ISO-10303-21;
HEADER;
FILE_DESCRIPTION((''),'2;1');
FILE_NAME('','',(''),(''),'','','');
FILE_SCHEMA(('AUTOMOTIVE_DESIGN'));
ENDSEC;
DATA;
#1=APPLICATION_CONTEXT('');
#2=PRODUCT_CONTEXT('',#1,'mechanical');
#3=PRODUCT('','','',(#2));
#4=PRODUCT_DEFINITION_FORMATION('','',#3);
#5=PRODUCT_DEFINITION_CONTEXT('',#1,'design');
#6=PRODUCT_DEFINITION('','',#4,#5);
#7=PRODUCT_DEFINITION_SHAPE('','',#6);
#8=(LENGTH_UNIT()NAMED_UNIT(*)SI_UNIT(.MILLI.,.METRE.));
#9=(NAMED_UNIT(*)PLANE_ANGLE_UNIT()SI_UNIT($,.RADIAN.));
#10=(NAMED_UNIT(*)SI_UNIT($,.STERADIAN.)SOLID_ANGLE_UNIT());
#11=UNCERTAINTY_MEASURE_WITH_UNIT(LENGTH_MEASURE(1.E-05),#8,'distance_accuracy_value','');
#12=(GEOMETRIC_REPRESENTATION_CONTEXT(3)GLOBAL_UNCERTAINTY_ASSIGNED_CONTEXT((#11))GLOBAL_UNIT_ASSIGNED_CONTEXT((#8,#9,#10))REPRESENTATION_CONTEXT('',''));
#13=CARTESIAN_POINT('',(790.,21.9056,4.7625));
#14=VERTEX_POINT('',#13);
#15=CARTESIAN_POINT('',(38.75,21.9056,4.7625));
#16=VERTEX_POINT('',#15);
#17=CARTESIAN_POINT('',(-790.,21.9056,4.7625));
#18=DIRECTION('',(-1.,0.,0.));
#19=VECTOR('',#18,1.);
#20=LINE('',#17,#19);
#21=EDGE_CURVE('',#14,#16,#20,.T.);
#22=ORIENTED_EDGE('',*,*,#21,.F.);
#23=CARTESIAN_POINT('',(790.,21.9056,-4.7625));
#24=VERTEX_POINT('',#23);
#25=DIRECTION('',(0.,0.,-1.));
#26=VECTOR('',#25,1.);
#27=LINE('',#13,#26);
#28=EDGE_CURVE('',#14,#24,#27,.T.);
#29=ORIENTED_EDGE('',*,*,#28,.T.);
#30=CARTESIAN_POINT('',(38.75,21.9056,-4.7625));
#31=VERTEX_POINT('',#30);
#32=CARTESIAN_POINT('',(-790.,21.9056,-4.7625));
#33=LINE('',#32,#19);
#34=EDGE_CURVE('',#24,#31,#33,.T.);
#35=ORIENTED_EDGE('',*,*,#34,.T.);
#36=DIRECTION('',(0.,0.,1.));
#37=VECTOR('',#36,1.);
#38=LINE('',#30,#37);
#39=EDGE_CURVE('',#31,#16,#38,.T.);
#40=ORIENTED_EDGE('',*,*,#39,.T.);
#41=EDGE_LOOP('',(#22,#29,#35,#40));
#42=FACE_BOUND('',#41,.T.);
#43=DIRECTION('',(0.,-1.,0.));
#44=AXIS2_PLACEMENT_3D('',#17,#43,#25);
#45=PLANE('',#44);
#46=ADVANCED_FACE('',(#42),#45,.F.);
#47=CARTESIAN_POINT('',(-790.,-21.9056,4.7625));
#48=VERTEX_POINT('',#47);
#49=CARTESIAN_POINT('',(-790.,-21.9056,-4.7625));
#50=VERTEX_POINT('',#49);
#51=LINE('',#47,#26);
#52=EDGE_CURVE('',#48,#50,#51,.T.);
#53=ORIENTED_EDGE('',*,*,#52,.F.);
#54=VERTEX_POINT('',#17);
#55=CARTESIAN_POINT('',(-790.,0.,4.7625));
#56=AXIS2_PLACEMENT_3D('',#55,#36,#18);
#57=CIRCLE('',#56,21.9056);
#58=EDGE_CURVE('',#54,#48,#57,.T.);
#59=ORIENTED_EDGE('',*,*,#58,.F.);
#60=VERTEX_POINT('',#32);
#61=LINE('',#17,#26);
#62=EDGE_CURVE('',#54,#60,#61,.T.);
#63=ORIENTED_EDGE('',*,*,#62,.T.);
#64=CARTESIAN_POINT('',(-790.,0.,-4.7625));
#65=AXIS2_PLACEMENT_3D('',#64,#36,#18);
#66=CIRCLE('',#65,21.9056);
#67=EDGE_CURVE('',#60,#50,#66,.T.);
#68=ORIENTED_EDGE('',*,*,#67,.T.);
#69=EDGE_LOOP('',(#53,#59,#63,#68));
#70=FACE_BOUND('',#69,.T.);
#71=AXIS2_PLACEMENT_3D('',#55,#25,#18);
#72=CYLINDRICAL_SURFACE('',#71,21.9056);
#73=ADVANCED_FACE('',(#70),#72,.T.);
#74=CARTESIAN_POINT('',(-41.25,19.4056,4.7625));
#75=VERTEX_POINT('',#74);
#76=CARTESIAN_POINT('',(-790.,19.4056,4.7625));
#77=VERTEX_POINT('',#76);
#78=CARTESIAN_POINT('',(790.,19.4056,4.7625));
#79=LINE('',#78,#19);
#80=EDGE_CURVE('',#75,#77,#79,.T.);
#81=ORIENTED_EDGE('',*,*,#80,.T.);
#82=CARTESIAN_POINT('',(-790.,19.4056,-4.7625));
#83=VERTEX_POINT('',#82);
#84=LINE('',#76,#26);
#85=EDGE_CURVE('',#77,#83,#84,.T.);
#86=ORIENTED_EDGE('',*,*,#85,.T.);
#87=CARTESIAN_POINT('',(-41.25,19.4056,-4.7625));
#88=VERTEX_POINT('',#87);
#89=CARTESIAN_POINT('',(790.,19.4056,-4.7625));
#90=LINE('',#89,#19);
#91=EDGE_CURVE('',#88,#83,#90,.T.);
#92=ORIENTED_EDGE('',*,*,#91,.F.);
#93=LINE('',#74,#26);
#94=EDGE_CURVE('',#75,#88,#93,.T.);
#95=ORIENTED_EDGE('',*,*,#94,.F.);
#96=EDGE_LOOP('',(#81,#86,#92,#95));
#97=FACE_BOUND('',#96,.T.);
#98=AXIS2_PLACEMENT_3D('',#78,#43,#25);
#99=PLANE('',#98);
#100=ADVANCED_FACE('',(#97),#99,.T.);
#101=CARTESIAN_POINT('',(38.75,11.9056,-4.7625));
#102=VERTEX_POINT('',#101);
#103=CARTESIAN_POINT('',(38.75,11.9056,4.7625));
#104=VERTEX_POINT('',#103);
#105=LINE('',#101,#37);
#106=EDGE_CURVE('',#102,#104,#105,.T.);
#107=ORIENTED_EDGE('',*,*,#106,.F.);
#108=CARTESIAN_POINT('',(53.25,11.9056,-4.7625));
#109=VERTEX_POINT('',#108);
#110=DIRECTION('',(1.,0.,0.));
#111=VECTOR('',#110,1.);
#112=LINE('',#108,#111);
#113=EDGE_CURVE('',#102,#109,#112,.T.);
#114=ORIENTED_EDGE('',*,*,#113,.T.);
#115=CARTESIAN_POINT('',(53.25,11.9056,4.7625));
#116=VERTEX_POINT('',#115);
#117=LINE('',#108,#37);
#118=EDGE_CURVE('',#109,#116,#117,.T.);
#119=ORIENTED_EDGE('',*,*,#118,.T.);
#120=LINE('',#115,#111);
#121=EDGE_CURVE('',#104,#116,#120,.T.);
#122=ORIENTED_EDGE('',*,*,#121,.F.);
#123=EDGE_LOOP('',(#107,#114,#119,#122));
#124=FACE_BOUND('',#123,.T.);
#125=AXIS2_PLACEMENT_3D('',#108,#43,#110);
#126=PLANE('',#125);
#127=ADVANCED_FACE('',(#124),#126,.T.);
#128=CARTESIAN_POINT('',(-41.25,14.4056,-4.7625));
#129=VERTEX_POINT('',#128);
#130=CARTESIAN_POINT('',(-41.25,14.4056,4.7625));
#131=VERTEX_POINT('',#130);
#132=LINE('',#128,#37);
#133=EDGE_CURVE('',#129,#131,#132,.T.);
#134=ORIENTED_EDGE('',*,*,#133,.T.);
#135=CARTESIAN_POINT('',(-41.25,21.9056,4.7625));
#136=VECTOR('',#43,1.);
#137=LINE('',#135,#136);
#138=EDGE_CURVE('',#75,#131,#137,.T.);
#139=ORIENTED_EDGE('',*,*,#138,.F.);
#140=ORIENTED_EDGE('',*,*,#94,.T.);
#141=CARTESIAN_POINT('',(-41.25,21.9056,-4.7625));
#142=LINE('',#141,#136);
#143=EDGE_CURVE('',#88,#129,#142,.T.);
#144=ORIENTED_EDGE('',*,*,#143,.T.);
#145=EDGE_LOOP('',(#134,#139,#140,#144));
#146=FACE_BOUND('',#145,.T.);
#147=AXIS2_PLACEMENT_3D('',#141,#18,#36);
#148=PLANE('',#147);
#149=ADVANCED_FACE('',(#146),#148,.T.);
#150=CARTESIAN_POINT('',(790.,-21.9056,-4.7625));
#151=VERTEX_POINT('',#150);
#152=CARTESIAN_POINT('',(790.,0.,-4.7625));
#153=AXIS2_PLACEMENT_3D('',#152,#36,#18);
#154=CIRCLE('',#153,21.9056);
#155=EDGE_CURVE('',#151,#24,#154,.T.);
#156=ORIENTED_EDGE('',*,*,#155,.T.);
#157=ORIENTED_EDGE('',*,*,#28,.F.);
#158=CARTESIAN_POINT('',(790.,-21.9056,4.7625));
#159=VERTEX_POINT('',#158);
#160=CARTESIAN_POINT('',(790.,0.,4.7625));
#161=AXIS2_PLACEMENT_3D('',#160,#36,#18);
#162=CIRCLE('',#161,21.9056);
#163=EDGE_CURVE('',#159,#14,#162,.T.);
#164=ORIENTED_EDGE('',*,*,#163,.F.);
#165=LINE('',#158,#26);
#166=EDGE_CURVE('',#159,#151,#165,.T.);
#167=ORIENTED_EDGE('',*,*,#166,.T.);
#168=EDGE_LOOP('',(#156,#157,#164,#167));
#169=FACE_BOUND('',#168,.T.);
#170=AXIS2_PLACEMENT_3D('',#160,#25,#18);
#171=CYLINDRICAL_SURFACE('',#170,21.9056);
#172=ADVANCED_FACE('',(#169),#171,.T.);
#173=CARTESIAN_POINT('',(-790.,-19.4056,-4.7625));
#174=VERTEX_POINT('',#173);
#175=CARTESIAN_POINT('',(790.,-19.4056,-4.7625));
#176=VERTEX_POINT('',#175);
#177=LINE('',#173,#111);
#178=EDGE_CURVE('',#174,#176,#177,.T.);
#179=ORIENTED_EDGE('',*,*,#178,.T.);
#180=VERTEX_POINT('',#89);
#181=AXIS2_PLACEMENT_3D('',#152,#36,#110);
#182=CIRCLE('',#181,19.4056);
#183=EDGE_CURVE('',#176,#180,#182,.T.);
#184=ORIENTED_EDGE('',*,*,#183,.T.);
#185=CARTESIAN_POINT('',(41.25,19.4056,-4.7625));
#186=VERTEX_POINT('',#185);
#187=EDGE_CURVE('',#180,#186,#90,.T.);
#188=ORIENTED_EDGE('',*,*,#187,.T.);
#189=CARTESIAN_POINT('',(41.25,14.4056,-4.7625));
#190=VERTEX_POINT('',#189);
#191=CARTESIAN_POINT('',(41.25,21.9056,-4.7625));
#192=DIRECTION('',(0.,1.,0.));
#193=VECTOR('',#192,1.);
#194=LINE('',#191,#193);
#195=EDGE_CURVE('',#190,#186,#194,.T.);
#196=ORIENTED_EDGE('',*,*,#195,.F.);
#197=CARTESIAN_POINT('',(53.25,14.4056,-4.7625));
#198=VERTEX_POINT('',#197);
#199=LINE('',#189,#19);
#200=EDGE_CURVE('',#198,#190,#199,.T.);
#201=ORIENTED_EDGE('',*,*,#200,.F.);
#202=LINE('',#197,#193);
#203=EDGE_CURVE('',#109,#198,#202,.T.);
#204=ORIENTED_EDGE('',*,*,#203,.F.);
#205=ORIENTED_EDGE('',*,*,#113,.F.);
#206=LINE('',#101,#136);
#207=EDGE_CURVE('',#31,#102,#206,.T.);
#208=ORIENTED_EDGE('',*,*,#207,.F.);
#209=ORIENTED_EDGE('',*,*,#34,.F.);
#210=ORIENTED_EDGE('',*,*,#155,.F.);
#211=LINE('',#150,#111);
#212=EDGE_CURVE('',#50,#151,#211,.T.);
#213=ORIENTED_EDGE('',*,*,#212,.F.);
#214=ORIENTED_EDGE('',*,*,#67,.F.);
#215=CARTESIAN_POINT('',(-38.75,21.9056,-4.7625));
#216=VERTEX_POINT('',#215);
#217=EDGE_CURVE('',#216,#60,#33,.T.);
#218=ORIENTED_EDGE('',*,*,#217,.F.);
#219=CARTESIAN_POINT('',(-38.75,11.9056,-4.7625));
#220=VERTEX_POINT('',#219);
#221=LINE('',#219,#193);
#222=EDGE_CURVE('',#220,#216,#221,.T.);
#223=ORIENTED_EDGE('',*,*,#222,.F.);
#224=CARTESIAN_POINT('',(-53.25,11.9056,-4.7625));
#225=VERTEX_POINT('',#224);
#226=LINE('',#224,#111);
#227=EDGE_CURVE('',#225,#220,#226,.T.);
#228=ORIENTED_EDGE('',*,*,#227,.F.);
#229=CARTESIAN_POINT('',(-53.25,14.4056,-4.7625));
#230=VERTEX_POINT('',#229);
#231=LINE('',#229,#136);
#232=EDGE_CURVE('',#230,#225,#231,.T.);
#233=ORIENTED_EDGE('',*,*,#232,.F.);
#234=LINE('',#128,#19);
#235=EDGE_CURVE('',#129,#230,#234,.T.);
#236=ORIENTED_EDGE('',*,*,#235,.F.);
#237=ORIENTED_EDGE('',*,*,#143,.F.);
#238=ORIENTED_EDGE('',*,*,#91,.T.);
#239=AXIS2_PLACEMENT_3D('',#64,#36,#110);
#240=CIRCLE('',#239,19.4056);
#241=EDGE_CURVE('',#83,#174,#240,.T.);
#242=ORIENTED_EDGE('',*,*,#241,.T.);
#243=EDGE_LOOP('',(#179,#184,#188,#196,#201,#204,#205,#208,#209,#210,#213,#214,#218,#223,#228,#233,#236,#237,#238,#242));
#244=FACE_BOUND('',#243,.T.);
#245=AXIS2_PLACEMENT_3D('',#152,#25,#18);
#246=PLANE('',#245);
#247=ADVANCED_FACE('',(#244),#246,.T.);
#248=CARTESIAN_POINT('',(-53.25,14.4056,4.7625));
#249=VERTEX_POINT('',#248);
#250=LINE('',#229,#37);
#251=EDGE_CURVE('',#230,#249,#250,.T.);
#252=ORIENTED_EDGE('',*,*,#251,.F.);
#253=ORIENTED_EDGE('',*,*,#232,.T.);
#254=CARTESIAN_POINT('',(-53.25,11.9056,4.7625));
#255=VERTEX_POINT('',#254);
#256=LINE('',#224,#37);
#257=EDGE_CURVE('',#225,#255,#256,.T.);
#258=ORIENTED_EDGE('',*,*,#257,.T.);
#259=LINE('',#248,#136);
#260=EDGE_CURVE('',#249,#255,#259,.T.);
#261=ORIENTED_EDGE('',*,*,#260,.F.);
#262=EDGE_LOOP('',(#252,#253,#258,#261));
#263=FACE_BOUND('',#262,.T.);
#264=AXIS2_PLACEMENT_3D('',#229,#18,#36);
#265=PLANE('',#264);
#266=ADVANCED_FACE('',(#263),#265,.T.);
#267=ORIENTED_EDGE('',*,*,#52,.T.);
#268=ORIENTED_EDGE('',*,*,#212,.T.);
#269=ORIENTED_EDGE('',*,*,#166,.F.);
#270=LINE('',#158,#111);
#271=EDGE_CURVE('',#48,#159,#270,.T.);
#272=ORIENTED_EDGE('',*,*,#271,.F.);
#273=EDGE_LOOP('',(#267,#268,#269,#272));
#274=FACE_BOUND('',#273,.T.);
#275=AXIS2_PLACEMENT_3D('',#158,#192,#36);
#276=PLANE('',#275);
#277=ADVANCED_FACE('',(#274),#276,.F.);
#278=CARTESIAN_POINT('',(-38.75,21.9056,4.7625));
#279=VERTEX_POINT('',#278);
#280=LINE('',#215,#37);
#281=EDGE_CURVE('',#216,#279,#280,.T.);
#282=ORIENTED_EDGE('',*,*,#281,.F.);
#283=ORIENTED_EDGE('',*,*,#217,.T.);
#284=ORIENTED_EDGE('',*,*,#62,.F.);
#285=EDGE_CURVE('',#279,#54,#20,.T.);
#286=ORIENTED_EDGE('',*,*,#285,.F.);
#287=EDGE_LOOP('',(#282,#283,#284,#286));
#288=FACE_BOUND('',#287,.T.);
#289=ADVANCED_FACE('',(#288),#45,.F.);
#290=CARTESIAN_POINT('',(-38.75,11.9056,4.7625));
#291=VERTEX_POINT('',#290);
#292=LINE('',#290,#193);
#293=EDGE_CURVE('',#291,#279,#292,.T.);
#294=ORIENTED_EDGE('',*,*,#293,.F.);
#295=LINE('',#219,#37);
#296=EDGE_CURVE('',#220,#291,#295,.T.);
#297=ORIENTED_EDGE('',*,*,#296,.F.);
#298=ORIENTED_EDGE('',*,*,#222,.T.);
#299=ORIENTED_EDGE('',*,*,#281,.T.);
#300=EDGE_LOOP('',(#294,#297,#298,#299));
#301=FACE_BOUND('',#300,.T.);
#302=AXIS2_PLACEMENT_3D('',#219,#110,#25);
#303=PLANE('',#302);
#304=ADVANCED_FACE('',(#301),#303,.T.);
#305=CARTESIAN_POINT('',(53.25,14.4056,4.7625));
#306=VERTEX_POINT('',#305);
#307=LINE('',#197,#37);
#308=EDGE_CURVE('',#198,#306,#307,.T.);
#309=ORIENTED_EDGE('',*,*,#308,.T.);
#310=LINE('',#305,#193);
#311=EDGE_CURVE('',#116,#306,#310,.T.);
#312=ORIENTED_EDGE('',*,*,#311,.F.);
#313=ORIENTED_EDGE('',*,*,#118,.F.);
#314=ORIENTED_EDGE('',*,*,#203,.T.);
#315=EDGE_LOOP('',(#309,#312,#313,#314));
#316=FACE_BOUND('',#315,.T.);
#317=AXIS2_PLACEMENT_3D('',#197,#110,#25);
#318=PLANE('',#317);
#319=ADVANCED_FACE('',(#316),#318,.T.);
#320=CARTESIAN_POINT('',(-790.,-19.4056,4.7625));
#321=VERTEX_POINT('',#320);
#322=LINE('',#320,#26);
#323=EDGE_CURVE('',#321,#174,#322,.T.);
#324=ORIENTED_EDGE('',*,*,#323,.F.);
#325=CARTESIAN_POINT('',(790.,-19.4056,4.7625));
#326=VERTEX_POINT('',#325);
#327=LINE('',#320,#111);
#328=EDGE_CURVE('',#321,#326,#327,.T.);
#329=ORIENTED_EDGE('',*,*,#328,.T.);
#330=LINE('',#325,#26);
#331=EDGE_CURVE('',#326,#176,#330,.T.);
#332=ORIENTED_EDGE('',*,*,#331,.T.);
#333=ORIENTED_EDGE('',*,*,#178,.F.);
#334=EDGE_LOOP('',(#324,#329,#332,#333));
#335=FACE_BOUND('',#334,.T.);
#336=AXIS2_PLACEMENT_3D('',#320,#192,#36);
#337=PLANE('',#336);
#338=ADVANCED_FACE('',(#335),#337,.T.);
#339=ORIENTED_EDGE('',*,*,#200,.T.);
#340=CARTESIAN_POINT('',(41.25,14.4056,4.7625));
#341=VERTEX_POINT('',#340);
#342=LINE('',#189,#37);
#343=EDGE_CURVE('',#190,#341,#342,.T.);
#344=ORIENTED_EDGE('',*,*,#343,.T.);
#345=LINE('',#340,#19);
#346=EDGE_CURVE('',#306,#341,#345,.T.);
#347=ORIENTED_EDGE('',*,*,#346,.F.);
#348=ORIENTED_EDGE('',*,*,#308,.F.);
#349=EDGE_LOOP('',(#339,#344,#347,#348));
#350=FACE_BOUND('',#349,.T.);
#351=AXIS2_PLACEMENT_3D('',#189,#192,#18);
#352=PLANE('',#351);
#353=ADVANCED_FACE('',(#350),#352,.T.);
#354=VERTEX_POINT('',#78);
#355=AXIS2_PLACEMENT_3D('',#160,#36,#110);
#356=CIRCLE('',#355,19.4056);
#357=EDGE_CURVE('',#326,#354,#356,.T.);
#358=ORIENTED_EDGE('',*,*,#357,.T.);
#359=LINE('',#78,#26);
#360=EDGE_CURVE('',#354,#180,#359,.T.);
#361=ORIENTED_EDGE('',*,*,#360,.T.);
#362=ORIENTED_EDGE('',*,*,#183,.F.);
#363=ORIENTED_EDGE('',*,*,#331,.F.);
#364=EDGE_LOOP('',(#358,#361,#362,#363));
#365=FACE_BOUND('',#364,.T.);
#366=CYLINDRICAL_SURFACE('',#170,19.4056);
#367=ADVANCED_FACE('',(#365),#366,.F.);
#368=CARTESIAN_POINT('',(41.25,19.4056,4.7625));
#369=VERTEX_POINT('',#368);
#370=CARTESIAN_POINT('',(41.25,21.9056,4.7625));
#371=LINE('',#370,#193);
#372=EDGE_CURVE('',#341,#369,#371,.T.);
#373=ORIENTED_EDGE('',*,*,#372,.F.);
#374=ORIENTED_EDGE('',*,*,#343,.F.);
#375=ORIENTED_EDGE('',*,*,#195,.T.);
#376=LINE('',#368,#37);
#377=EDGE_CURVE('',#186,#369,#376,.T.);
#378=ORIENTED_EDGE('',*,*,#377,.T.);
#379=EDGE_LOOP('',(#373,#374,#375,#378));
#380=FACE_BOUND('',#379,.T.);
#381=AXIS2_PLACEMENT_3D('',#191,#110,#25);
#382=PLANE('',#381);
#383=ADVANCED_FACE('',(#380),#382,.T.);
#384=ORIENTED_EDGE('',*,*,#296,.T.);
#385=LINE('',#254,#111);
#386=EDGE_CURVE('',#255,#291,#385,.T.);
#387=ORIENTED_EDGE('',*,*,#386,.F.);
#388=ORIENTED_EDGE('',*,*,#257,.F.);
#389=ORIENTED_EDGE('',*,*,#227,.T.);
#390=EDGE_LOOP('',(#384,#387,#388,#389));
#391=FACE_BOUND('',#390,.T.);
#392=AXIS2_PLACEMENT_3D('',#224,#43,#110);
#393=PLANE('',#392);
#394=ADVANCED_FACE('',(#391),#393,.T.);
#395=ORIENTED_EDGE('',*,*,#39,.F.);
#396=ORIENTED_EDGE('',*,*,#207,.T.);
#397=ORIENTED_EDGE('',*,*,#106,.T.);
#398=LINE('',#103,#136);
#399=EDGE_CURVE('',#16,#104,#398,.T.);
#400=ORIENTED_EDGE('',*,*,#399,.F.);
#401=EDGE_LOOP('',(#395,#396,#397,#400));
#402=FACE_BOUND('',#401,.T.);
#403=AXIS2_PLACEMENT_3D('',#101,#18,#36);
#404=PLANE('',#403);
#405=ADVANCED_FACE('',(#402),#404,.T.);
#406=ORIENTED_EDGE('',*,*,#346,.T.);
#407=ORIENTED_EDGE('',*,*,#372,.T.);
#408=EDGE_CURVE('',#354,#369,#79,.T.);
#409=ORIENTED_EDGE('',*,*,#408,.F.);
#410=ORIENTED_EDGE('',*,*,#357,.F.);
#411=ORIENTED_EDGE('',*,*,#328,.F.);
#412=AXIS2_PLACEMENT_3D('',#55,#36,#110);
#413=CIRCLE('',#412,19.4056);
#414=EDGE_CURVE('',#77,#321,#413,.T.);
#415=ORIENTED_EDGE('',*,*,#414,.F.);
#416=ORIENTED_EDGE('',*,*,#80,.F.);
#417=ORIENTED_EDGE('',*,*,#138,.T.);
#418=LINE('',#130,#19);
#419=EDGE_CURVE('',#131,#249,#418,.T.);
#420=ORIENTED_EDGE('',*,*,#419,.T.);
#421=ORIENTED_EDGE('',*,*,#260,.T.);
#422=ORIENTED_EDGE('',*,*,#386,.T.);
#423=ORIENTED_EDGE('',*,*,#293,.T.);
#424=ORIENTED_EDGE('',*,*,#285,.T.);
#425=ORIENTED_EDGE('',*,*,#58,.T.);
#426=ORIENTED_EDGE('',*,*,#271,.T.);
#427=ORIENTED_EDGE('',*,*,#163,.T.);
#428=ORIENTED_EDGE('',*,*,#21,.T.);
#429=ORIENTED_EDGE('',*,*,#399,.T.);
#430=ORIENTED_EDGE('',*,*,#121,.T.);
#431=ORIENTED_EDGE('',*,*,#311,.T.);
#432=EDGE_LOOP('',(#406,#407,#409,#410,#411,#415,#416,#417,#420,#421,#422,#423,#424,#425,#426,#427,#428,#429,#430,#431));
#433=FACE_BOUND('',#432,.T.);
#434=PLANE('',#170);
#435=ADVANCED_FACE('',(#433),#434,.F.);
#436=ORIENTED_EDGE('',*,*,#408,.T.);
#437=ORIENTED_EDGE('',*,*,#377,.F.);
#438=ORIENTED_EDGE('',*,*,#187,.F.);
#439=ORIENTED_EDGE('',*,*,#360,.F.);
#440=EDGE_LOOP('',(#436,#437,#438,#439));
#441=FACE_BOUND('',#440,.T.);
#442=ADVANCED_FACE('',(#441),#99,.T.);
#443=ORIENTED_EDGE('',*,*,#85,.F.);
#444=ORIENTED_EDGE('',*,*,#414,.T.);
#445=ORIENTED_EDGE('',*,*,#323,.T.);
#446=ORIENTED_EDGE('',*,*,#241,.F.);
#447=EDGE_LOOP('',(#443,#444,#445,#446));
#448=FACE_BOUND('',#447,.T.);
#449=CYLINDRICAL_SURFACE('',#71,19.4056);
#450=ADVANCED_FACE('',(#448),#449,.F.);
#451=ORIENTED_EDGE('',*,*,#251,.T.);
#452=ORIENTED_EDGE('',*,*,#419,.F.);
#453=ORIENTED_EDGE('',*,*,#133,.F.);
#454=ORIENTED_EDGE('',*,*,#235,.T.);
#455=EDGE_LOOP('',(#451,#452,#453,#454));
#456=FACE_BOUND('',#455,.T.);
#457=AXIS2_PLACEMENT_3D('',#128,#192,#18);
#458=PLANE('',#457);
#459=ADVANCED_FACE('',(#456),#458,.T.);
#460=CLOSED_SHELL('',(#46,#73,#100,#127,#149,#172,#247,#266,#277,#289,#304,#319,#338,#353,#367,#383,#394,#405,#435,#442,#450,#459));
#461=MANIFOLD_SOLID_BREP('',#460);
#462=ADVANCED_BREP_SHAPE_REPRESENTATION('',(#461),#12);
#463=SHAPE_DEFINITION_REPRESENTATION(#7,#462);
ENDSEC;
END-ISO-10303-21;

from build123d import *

# Parameters (mm, degrees)
BOSS_EXTRUDE1_DEPTH = 4.7625
SKETCH2_W           = 80
SKETCH2_H           = 2.5
CUT_EXTRUDE1_DEPTH  = 4.7625
BOSS_EXTRUDE2_DEPTH = 9.525


with BuildPart() as part:
    # Sketch1 → Boss-Extrude1 (new, symmetric)
    with BuildSketch(Plane.XY):
        with BuildLine():
            Line((-790, 21.9056), (790, 21.9056))
            ThreePointArc((790, 21.9056), (811.9056, 0), (790, -21.9056))
            Line((790, -21.9056), (-790, -21.9056))
            ThreePointArc((-790, -21.9056), (-811.9056, 0), (-790, 21.9056))
        make_face()
        with BuildLine():
            Line((-790, -19.4056), (790, -19.4056))
            ThreePointArc((790, -19.4056), (809.4056, 0), (790, 19.4056))
            Line((790, 19.4056), (-790, 19.4056))
            ThreePointArc((-790, 19.4056), (-809.4056, 0), (-790, -19.4056))
        make_face(mode=Mode.SUBTRACT)
    extrude(amount=BOSS_EXTRUDE1_DEPTH, both=True)

    # Sketch2 → Cut-Extrude1 (cut, symmetric)
    with BuildSketch(Plane.XY):
        with Locations((0, 20.6556)):
            Rectangle(SKETCH2_W, SKETCH2_H)
    extrude(amount=CUT_EXTRUDE1_DEPTH, both=True, mode=Mode.SUBTRACT)

    # Sketch3 → Boss-Extrude2 (add)
    with BuildSketch(Plane.XY.offset(4.7625)):
        Polygon((-41.25, 21.9056), (-38.75, 21.9056), (-38.75, 11.9056), (-53.25, 11.9056), (-53.25, 14.4056), (-41.25, 14.4056), align=None)
        Polygon((53.25, 11.9056), (38.75, 11.9056), (38.75, 21.9056), (41.25, 21.9056), (41.25, 14.4056), (53.25, 14.4056), align=None)
    extrude(amount=-BOSS_EXTRUDE2_DEPTH)


solid = part.part
